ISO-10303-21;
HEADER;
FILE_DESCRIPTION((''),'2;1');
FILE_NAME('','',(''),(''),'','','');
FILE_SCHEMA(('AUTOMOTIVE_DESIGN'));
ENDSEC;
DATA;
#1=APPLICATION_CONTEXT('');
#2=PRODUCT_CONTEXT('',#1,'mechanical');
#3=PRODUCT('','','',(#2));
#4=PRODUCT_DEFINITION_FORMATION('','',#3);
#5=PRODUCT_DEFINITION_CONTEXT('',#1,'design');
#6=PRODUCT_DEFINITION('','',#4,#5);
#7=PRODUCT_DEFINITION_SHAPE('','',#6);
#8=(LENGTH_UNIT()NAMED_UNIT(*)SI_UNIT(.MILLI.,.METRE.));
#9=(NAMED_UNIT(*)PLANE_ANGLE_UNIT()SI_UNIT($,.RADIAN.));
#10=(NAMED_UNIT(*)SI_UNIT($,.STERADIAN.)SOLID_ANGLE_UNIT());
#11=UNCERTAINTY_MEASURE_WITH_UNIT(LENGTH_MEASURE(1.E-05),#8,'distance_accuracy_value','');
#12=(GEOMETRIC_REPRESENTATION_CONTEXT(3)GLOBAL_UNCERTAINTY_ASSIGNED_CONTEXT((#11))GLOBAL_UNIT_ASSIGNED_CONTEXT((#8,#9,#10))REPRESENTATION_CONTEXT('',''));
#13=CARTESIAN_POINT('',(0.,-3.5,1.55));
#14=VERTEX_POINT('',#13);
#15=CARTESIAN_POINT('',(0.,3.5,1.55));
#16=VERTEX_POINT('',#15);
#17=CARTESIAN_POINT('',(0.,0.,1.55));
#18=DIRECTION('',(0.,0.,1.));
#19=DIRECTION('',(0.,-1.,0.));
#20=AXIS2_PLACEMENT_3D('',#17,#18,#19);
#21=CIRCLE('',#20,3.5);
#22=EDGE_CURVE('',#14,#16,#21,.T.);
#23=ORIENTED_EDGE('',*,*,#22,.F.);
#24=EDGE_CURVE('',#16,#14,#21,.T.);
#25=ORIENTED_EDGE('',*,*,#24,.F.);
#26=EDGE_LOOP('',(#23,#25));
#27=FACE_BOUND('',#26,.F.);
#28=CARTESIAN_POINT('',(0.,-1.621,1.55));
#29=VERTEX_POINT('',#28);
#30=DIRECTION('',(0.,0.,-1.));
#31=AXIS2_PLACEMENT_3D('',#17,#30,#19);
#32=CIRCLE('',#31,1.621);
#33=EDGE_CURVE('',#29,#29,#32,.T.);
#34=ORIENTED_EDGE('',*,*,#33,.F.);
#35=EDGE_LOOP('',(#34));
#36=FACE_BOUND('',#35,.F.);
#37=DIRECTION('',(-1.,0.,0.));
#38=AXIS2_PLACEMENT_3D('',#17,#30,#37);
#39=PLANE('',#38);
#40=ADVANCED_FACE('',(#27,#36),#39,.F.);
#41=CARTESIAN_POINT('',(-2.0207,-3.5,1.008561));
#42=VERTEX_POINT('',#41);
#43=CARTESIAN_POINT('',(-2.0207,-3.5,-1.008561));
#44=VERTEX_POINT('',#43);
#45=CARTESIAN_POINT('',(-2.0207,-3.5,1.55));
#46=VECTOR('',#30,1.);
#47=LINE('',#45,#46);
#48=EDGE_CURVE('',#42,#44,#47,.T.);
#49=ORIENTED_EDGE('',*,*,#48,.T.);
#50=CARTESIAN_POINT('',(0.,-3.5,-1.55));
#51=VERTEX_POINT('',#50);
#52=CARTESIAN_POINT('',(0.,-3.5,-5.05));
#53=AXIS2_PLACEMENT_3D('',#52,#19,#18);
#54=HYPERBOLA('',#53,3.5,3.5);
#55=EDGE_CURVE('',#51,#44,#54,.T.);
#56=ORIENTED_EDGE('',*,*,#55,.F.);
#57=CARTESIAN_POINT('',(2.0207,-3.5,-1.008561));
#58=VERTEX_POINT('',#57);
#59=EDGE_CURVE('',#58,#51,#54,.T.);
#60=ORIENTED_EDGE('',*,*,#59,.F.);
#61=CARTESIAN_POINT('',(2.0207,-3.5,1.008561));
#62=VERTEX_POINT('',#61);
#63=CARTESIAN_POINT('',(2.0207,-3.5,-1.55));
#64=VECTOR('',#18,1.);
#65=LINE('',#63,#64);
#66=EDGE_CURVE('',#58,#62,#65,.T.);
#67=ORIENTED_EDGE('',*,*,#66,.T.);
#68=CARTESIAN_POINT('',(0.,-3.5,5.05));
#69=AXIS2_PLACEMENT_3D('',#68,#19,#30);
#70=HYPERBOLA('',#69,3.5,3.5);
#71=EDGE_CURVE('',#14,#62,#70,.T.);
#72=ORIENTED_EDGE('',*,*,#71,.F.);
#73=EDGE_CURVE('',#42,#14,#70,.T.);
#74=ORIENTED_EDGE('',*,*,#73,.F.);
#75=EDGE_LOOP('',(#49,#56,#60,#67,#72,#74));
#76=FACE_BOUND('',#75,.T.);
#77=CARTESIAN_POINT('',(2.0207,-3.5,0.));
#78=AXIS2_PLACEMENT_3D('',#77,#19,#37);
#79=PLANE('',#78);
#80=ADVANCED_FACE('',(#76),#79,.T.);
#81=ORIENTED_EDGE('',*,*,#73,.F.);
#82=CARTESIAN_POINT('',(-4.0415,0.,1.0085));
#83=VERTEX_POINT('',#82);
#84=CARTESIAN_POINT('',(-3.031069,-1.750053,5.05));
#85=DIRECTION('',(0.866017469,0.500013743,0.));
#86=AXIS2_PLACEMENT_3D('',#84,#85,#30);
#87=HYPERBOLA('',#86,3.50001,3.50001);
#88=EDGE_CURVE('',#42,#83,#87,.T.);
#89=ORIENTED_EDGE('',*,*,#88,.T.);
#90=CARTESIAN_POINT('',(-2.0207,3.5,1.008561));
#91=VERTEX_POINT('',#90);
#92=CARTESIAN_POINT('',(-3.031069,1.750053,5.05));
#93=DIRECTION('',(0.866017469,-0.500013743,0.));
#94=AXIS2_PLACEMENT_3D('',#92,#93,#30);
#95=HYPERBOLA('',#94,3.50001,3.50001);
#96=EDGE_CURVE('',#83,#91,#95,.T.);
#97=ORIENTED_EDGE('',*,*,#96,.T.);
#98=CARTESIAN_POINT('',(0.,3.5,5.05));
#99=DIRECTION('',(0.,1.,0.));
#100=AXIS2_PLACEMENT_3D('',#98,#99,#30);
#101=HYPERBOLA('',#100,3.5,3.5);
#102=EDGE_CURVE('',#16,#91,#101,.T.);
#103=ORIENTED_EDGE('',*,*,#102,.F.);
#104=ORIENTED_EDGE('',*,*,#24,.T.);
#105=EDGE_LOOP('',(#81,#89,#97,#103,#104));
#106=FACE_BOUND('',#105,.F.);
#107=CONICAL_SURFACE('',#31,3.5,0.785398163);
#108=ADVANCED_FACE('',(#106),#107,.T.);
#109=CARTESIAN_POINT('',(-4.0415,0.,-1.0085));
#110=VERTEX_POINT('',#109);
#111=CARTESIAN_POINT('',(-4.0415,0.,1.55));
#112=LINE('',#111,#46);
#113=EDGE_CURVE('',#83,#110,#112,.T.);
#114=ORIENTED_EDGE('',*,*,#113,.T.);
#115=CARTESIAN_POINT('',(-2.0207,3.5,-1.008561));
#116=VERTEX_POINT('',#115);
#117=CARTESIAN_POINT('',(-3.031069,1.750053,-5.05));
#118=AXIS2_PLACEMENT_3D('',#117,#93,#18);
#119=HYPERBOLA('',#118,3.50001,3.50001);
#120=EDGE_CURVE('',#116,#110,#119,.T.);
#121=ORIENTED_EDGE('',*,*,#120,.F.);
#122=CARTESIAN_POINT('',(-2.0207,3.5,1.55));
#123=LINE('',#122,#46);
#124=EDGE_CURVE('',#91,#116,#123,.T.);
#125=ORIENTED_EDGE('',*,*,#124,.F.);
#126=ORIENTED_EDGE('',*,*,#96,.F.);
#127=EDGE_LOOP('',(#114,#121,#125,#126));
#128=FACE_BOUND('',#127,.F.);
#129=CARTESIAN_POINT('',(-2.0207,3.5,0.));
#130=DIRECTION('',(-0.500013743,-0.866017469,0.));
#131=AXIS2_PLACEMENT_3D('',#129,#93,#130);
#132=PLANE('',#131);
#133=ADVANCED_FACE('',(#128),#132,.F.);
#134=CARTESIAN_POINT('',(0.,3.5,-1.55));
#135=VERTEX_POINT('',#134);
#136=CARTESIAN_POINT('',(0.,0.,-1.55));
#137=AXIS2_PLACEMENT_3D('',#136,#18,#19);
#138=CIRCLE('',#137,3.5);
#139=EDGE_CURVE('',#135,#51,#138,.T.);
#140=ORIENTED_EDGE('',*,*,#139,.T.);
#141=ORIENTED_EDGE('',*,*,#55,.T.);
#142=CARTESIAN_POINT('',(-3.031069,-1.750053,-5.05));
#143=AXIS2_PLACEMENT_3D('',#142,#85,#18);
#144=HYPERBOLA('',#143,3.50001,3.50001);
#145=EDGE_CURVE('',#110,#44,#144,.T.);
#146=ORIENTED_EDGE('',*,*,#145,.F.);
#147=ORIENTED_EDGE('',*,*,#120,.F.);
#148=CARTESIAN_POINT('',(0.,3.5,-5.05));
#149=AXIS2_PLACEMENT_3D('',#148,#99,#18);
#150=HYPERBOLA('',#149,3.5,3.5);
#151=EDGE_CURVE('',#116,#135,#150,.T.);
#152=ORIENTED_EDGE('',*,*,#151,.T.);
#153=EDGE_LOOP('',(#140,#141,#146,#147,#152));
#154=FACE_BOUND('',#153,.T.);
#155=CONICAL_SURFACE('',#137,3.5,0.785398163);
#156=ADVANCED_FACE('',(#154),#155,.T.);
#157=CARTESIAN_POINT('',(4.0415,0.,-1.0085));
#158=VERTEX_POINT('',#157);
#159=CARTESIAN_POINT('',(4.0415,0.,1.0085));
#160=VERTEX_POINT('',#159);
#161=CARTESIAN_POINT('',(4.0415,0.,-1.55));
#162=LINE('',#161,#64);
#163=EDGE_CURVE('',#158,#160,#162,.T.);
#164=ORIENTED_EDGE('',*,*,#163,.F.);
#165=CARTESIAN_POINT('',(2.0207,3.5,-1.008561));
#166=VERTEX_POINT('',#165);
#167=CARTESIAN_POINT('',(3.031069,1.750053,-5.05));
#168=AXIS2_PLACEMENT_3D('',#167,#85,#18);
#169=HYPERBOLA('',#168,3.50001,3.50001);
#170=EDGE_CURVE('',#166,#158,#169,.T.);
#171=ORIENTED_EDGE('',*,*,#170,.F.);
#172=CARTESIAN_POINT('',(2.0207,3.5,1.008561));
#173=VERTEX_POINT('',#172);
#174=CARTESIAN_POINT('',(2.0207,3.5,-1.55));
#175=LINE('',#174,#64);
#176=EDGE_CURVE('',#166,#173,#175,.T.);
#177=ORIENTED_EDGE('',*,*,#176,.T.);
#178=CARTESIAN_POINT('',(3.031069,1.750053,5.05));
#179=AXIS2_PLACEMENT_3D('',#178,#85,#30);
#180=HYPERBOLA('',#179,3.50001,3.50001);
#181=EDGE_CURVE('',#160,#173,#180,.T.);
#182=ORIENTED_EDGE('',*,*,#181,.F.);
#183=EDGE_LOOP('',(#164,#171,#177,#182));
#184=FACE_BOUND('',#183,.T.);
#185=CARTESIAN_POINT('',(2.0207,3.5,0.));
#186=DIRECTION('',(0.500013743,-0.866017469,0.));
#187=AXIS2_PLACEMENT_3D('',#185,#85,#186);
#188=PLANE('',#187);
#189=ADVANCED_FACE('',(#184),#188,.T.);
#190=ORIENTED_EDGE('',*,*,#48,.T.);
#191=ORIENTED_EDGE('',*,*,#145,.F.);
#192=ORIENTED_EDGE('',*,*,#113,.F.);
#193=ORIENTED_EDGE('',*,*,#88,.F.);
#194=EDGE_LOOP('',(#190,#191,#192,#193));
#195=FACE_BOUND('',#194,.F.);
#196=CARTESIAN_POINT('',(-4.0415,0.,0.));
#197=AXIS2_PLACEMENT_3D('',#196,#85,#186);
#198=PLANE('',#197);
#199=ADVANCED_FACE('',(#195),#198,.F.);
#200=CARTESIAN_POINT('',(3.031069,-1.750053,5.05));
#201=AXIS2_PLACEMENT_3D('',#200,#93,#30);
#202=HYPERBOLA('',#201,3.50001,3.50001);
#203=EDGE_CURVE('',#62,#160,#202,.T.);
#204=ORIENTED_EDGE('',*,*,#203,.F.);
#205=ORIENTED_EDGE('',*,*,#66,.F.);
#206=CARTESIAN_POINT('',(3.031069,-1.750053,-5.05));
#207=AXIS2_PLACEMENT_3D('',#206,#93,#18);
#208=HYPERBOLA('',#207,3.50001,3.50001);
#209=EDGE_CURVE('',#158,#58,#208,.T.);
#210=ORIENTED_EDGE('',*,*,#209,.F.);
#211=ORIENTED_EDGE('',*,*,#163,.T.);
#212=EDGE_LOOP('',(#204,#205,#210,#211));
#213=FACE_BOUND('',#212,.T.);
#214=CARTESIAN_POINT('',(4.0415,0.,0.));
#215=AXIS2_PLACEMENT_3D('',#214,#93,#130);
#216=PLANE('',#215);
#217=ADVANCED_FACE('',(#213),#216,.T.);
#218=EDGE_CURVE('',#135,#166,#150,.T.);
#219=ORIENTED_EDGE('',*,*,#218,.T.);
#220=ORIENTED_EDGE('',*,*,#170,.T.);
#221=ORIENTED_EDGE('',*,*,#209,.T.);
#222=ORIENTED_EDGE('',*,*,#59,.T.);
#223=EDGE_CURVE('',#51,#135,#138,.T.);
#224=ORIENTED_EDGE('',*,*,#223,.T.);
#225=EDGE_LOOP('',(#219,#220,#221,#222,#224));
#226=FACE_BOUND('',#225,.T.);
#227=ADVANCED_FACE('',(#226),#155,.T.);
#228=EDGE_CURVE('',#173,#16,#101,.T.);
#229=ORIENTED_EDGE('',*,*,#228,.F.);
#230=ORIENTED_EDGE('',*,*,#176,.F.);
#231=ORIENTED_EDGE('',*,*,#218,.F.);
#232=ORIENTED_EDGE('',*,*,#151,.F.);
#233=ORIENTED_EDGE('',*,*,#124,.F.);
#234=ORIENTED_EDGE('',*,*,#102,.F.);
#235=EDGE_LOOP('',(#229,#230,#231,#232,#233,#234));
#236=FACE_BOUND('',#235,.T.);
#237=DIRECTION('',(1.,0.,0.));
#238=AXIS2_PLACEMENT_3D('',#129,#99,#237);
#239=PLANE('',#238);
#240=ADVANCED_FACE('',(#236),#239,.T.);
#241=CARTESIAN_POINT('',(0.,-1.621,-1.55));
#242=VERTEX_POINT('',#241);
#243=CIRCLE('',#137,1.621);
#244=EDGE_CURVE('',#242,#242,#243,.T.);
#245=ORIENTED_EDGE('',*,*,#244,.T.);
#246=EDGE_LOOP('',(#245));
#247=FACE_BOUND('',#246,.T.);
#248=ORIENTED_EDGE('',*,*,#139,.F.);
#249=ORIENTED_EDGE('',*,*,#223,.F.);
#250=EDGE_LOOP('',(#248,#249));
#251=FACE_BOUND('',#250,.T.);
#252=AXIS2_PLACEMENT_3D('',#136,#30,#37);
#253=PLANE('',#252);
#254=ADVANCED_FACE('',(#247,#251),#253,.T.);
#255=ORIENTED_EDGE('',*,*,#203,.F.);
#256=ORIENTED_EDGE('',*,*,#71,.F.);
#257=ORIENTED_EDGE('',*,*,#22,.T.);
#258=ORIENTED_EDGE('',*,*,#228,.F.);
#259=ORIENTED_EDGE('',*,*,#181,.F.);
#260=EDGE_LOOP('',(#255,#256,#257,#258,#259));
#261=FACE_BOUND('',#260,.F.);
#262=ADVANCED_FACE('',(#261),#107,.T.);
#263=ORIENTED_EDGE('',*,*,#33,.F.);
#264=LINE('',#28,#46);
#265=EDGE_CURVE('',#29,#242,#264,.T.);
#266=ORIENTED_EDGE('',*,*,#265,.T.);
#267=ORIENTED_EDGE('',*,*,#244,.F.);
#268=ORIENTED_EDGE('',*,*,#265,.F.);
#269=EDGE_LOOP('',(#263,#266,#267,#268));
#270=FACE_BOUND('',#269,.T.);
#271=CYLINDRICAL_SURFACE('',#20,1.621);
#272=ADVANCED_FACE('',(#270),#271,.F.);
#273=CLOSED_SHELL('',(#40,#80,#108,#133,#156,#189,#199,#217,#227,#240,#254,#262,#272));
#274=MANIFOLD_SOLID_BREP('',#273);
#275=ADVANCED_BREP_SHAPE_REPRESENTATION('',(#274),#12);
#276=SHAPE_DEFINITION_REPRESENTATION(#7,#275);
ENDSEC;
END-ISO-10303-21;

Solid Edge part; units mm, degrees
sketch "Sketch1" plane through (0, 0, 0) normal (0, 0, 1) x (1, 0, 0)
  line L0 (2.0207, -3.5) -> (-2.0207, -3.5)
  line L1 (-4.0415, 0) -> (-2.0207, -3.5)
  line L2 (-2.0207, 3.5) -> (-4.0415, 0)
  line L3 (-2.0207, 3.5) -> (2.0207, 3.5)
  line L4 (2.0207, 3.5) -> (4.0415, 0)
  line L5 (4.0415, 0) -> (2.0207, -3.5)
extrude "Protrusion1" add sketch "Sketch1" along normal mid plane 3.1
hole "Hole_1" at (0, 0, 1.55) direction (0, 0, -1) diameter 3.242 end through all
sketch "Sketch2" plane through (0, 0, 0) normal (1, 0, 0) x (0, 1, 0)
  line L0 (-3.5, 1.55) -> (-1.7885, 3.2615)
revolve "RevolvedCutout1" cut sketch "Sketch2" angle 360 about axis through (0, 0, -57) along (0, 0, 1) material side at (0, -2.6796, 2.4411)
mirror "Mirror1" about plane through (0, 0, 0) normal (0, 0, 1) of "RevolvedCutout1"
